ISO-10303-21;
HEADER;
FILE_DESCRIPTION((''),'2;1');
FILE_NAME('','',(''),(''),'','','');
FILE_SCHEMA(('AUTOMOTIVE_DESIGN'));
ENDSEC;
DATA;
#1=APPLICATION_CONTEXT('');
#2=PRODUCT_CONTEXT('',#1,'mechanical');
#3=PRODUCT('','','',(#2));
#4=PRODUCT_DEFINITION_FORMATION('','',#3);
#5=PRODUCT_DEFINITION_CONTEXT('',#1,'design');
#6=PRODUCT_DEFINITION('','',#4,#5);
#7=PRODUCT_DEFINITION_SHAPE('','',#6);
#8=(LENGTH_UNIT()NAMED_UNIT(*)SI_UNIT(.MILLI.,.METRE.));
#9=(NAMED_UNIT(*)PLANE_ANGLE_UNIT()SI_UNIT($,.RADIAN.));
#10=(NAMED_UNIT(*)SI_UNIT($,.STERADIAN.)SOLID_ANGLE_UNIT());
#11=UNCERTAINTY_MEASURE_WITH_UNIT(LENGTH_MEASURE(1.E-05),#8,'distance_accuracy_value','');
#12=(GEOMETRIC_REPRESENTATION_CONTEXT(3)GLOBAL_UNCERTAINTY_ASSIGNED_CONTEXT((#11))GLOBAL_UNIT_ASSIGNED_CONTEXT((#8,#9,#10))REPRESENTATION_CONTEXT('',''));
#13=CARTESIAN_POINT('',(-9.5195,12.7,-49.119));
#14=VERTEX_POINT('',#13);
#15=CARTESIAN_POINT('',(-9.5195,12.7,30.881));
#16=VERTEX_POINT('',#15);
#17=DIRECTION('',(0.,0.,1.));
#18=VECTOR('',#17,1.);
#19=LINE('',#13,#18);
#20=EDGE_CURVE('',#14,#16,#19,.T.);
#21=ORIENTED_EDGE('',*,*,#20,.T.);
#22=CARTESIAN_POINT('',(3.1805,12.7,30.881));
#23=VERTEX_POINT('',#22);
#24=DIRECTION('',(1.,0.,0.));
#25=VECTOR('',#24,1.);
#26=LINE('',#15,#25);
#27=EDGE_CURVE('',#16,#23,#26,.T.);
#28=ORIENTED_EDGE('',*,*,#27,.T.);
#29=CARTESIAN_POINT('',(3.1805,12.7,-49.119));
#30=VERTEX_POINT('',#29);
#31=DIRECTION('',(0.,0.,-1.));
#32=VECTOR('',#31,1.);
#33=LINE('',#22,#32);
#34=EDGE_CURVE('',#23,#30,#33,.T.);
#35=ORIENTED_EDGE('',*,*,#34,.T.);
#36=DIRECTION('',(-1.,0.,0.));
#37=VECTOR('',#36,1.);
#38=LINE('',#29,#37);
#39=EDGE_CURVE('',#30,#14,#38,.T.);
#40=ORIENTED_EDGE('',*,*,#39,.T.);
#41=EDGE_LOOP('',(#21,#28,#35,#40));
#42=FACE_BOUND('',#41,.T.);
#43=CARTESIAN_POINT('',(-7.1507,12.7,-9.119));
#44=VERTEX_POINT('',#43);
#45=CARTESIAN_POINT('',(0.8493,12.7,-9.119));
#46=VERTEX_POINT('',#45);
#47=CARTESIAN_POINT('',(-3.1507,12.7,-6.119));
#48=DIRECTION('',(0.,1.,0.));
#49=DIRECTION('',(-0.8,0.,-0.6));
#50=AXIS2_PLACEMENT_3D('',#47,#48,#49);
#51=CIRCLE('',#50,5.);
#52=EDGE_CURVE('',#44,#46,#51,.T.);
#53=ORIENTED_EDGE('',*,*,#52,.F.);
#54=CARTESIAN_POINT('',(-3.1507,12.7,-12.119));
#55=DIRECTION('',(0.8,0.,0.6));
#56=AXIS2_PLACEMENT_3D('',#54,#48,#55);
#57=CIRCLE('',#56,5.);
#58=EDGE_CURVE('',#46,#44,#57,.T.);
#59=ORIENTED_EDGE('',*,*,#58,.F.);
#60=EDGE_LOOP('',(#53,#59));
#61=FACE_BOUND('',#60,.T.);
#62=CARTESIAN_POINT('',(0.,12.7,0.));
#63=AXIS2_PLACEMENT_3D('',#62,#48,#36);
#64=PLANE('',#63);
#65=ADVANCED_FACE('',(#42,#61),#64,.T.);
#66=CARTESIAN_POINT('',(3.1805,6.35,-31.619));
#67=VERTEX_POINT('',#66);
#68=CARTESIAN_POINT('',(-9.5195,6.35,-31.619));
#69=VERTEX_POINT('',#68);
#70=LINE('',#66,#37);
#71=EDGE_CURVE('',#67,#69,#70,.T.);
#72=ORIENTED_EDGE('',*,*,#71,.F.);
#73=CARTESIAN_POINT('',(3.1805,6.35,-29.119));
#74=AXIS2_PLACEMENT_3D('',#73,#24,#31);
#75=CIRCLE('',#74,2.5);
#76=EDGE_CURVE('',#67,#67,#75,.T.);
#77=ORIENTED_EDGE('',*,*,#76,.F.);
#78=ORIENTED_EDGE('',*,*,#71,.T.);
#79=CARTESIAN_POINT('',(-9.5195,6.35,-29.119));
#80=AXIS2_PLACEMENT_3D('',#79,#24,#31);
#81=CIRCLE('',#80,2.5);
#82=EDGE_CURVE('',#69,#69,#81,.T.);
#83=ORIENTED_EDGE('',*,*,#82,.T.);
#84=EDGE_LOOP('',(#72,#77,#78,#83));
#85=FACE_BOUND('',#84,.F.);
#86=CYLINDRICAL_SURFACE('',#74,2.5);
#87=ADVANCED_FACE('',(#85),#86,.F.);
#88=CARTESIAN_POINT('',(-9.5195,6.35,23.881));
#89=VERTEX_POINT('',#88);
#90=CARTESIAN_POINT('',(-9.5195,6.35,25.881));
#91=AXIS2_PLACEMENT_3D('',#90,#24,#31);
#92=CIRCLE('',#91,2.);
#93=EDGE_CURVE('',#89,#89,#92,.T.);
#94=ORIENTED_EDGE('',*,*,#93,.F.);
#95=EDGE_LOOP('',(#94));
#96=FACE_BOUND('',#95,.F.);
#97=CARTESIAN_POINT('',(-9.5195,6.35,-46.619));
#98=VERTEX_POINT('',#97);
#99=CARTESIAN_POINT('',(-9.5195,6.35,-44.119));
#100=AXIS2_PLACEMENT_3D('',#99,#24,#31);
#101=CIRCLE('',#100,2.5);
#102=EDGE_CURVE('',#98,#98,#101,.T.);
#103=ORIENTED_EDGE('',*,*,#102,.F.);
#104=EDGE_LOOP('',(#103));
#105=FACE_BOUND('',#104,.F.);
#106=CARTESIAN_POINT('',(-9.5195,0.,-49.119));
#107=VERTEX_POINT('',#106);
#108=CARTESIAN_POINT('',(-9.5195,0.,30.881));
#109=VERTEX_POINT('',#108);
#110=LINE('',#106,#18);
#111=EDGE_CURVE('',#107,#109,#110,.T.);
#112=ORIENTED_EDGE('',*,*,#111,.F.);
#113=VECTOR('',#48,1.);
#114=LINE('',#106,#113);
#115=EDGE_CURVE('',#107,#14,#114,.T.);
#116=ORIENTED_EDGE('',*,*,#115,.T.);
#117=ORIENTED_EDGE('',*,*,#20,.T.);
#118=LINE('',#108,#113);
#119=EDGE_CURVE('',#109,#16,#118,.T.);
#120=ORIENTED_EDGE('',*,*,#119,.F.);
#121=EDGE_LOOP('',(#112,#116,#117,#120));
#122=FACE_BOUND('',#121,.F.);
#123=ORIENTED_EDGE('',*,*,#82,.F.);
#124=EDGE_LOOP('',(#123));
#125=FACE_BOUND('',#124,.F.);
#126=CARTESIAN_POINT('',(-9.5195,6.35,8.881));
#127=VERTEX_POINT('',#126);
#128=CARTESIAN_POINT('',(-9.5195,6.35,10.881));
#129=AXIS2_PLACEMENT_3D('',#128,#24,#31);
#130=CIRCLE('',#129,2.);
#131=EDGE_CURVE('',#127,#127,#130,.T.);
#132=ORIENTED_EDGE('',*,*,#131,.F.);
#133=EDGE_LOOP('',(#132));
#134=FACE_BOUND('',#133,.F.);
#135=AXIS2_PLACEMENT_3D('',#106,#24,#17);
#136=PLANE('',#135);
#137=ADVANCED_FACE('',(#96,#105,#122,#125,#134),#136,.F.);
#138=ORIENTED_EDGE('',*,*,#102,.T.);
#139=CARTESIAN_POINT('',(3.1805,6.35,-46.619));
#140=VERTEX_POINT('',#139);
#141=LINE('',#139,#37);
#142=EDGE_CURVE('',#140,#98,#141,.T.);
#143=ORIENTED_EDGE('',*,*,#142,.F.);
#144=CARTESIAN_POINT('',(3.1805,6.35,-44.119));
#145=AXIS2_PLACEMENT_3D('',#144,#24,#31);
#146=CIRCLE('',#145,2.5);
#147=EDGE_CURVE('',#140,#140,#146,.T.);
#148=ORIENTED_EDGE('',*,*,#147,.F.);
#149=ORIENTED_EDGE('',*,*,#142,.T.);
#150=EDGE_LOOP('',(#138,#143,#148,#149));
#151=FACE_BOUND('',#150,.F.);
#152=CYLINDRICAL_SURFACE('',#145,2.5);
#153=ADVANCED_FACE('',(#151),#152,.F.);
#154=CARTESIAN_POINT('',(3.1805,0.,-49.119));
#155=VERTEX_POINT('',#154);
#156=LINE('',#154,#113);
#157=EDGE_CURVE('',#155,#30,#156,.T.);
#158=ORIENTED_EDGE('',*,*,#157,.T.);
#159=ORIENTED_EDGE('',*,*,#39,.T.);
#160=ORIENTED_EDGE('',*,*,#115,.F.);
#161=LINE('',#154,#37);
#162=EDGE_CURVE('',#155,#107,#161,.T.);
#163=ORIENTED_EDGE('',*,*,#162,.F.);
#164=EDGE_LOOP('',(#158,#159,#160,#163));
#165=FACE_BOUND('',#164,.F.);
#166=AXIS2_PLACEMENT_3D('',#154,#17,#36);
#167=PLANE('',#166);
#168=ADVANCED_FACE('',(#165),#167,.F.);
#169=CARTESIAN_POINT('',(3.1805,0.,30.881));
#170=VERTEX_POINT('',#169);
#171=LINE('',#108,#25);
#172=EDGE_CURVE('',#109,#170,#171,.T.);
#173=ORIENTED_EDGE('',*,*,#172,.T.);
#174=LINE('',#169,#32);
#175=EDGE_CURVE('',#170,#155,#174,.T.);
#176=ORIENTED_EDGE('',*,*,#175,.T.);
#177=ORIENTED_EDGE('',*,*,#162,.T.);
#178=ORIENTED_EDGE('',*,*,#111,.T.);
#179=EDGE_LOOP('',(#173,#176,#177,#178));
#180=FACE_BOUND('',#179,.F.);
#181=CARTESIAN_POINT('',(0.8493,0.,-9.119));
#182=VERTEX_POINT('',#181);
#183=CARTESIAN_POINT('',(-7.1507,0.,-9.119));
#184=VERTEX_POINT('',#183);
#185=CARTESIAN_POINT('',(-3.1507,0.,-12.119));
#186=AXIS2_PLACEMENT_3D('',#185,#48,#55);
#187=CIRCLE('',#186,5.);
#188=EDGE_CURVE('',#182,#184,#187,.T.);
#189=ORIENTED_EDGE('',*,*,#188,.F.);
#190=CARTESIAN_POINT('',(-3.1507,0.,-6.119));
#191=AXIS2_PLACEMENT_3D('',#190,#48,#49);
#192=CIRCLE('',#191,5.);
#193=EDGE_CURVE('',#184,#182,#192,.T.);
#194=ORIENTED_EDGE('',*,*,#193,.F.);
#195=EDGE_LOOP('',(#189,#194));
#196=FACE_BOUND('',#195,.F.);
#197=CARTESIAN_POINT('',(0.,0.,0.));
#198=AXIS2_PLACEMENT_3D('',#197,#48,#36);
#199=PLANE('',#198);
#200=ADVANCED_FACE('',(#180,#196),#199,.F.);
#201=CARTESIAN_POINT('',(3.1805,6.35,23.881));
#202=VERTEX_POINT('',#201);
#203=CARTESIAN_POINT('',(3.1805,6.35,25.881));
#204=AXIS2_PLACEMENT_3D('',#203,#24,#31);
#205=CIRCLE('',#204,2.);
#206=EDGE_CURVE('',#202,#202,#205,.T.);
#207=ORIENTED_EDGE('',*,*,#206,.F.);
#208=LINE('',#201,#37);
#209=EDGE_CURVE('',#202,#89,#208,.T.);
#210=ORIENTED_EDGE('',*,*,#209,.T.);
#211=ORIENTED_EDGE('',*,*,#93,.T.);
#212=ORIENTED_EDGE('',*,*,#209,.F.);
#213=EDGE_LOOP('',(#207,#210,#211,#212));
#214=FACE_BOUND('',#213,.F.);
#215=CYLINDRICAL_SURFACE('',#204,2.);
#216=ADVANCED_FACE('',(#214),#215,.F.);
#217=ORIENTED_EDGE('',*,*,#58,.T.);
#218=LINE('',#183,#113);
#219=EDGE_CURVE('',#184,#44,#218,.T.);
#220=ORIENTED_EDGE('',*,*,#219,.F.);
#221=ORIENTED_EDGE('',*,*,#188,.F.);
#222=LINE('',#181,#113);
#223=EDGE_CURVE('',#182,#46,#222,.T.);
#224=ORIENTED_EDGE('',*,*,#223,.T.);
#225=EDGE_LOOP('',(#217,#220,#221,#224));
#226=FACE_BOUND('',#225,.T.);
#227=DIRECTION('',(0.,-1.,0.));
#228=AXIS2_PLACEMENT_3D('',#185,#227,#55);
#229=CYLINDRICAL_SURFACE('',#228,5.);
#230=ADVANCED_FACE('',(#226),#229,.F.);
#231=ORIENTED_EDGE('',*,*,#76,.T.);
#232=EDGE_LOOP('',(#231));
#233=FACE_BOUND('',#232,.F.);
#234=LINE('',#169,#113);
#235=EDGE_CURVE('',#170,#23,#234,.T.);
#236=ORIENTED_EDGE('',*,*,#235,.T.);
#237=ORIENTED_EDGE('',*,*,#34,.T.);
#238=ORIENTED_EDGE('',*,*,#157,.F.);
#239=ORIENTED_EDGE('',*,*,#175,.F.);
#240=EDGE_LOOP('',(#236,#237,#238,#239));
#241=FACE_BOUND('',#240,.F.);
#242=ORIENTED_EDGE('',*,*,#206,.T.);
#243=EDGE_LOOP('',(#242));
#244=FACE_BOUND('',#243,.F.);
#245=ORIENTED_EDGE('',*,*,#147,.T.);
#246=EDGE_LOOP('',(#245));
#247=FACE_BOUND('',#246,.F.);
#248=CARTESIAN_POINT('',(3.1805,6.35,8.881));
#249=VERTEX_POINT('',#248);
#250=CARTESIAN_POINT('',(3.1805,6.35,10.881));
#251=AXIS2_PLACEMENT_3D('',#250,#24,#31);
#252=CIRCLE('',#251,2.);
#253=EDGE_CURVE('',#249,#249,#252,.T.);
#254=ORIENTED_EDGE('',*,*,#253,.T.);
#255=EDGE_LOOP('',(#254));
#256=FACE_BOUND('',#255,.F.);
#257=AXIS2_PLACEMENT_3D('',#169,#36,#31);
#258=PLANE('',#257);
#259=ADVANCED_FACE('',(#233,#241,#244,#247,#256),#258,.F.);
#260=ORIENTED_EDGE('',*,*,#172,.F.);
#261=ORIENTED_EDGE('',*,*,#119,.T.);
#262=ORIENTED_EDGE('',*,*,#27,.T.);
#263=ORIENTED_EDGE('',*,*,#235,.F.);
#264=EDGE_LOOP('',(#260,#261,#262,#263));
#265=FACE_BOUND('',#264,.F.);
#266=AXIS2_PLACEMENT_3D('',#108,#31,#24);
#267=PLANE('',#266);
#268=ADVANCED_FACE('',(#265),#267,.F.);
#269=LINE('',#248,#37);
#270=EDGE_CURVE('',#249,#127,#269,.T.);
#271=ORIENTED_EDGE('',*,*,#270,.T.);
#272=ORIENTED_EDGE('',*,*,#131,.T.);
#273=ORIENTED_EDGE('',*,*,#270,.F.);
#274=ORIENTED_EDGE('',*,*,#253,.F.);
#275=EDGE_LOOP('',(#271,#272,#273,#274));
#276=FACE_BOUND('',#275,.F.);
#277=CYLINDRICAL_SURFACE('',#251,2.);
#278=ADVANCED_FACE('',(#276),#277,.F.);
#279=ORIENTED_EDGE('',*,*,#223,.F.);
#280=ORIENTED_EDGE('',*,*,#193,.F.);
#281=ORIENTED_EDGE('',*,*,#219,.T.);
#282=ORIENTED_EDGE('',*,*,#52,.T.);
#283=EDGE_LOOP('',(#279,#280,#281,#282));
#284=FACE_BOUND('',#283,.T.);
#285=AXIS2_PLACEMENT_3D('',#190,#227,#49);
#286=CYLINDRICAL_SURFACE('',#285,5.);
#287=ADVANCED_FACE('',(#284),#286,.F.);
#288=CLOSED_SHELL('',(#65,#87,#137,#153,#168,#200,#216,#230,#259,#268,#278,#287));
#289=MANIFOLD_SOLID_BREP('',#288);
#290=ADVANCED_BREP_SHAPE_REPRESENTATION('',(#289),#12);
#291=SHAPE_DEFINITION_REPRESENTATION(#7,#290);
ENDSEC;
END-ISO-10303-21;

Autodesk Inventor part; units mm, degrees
ref_plane "YZ Plane" through (0, 0, 0) normal (1, 0, 0) x (0, 1, 0)
ref_plane "XZ Plane" through (0, 0, 0) normal (0, 1, 0) x (-1, 0, 0)
ref_plane "XY Plane" through (0, 0, 0) normal (0, 0, 1) x (1, 0, 0)
sketch "Sketch1" plane through (0, 0, 0) normal (0, 1, 0) x (-1, 0, 0)
  line L0 (9.5195, 30.881) -> (-3.1805, 30.881)
  line L1 (-3.1805, 30.881) -> (-3.1805, -49.119)
  line L2 (-3.1805, -49.119) -> (9.5195, -49.119)
  line L3 (9.5195, -49.119) -> (9.5195, 30.881)
  arc A0 (-0.8493, -9.119) -> (7.1507, -9.119) centre (3.1507, -12.119) ccw
  arc A1 (7.1507, -9.119) -> (-0.8493, -9.119) centre (3.1507, -6.119) ccw
  point P0 (0, 0)
  dimension "d0" = 80
  dimension "d1" = 12.7
extrude "Extrusion1" add sketch "Sketch1" along normal blind 12.7
sketch "Sketch2" plane through (3.1805, 0, 30.881) normal (1, 0, 0) x (0, 0, -1)
  circle A0 centre (20, 6.35) radius 2
  line L0 (40, 0) -> (40, 12.7) projected
  line L1 (0, 0) -> (80, 0) projected
  circle A1 centre (5, 6.35) radius 2
  circle A2 centre (60, 6.35) radius 2.5
  circle A3 centre (75, 6.35) radius 2.5
  line L2 (80, 0) -> (80, 12.7) projected
  line L3 (0, 0) -> (0, 12.7) projected
  point P0 (30.881, 0)
  dimension "d7" = 4
  dimension "d9" = 20
  dimension "d11" = 6.35
  dimension "d12" = 4
  dimension "d13" = 15
  dimension "d14" = 6.35
  dimension "d16" = 5
  dimension "d17" = 20
  dimension "d18" = 6.35
  dimension "d19" = 5
  dimension "d20" = 15
extrude "Extrusion2" cut sketch "Sketch2" against normal blind 12.7
thread "Thread1" size "M4x0.7" class "6H" standard "ISO Metric profile" full length
thread "Thread2" size "M4x0.7" class "6H" standard "ANSI Metric M Profile" full length
thread "Thread3" size "M5x0.8" class "6H" standard "ANSI Metric M Profile" full length
thread "Thread4" size "M5x0.8" class "6H" standard "ANSI Metric M Profile" full length
properties part number "Celda"
